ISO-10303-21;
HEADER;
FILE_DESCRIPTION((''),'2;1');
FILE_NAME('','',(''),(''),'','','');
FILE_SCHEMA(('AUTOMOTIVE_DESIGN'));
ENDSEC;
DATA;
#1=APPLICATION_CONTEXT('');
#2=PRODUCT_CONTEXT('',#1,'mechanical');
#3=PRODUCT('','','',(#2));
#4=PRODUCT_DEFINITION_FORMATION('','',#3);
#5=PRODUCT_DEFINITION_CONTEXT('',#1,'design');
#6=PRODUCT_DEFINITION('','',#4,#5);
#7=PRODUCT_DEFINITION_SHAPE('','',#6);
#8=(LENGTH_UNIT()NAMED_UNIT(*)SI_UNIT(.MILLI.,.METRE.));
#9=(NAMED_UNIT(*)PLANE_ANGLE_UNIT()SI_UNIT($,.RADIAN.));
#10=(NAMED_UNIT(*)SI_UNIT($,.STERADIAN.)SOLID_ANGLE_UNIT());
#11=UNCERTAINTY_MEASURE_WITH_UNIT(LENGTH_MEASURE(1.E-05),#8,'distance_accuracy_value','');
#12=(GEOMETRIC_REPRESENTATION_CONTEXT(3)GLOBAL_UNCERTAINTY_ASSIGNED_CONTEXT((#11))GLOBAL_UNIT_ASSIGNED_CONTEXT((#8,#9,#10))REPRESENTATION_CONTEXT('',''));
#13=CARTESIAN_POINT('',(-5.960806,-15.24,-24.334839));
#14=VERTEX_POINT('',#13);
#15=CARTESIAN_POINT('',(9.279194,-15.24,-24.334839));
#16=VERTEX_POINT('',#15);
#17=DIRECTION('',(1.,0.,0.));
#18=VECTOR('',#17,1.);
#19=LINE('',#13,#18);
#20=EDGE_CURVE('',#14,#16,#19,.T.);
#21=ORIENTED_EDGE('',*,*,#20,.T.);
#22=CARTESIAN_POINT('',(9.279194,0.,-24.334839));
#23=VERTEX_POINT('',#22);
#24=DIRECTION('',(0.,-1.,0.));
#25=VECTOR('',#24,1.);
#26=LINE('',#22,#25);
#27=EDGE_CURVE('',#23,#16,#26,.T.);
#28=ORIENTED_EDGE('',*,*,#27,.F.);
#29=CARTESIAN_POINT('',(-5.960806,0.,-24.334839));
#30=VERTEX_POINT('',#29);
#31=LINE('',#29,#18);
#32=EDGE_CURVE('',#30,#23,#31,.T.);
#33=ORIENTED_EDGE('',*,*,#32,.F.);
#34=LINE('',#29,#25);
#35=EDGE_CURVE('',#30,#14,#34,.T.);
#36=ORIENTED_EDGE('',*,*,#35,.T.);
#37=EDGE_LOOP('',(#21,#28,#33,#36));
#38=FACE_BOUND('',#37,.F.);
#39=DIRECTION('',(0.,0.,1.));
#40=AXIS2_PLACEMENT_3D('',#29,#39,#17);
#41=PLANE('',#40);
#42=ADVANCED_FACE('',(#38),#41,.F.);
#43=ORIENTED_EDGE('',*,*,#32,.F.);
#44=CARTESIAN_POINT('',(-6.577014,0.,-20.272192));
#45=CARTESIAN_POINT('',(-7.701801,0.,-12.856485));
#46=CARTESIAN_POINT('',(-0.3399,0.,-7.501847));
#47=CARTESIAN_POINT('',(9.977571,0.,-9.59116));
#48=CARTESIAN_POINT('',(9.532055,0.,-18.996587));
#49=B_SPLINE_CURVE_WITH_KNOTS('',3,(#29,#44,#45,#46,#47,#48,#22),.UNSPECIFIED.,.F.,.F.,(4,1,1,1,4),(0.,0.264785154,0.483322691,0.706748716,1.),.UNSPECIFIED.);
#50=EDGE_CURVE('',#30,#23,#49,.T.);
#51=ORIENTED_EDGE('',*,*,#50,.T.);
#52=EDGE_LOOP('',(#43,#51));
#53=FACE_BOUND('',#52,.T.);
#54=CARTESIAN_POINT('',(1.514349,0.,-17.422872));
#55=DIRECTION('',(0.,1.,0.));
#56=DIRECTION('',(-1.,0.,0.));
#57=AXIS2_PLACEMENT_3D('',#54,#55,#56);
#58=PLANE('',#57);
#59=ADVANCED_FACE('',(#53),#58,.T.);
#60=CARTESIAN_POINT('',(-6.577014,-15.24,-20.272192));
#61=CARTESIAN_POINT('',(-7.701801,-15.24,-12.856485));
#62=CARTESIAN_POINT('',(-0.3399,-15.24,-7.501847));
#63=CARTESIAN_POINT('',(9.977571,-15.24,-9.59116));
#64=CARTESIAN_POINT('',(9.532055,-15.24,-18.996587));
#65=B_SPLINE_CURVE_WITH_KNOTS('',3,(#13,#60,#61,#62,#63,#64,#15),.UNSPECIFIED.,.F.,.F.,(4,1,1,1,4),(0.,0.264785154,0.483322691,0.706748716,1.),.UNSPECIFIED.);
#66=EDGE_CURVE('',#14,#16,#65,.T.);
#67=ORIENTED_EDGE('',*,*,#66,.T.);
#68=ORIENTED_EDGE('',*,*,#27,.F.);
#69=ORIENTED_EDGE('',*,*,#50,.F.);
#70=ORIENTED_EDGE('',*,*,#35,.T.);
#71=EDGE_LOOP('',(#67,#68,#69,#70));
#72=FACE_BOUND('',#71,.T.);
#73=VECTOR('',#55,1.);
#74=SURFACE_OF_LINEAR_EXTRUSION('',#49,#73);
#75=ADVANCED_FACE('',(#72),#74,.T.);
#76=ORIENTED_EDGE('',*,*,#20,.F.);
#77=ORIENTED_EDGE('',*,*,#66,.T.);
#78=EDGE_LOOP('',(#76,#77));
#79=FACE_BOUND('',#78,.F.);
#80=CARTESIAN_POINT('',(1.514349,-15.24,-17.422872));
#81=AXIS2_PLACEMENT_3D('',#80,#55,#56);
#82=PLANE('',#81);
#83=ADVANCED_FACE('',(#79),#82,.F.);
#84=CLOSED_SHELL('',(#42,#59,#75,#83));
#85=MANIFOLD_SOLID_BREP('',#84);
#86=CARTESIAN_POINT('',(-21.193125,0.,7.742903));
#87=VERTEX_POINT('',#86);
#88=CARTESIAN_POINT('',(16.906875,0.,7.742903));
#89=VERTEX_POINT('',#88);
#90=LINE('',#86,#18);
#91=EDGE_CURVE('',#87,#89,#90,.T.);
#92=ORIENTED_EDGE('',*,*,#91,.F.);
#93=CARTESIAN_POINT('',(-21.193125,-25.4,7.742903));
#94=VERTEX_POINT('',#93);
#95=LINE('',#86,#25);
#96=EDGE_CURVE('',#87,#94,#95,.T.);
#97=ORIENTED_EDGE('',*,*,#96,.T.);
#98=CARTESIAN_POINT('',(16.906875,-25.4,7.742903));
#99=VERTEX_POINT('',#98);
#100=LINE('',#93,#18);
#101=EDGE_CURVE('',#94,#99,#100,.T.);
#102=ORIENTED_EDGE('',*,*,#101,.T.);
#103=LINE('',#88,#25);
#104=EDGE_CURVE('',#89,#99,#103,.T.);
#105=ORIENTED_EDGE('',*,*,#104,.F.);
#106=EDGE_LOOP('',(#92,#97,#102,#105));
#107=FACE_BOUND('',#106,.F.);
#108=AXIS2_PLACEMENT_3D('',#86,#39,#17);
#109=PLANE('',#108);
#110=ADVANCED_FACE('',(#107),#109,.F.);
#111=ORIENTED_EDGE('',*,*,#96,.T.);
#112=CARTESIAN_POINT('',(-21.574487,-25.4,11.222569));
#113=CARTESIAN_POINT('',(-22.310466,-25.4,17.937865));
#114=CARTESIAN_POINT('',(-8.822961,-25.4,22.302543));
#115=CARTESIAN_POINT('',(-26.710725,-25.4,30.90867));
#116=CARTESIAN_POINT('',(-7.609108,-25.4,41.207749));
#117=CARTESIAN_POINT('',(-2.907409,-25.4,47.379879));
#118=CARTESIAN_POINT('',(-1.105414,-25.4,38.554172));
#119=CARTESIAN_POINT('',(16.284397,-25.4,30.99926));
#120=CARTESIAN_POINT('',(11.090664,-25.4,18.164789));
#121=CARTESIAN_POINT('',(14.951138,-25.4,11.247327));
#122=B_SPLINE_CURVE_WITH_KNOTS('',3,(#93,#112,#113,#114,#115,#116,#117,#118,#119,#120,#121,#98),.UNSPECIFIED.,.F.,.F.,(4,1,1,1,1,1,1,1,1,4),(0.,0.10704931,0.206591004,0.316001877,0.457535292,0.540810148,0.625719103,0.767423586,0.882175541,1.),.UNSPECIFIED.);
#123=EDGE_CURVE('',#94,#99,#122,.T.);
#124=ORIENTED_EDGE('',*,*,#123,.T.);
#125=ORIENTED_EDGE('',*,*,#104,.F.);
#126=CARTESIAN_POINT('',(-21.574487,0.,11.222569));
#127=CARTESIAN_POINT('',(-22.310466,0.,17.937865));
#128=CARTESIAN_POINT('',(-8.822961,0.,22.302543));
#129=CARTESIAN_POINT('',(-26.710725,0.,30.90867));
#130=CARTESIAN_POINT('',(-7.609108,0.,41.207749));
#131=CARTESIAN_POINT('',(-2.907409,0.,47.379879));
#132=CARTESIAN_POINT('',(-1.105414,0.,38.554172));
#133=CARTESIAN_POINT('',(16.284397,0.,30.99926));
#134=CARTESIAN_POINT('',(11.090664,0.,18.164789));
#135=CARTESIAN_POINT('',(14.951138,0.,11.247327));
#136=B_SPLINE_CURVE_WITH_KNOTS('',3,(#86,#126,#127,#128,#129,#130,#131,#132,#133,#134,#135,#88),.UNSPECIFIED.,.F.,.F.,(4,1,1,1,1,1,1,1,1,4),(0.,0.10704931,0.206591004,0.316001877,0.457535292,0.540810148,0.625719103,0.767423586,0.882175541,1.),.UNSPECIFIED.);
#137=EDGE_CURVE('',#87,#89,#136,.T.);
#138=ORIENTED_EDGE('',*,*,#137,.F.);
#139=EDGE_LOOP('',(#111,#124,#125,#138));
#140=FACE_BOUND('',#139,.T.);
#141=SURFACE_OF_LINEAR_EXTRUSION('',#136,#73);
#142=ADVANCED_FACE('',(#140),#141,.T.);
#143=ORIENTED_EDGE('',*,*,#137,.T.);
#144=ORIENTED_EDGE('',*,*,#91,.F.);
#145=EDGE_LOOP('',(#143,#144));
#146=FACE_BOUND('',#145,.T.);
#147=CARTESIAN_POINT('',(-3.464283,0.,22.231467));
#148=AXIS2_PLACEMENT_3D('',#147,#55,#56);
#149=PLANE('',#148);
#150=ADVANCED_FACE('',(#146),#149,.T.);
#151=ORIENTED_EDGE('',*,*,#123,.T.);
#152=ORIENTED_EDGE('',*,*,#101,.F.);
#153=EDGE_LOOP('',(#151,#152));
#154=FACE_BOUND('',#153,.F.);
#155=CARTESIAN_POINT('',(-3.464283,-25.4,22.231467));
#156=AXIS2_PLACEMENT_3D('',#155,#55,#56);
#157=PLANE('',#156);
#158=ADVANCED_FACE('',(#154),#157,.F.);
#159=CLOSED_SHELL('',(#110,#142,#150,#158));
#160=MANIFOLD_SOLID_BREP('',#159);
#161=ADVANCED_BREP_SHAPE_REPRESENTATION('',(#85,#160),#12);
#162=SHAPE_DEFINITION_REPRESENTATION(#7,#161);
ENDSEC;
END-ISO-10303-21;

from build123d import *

# Parameters (mm, degrees)
F1_DEPTH = 25.4
F3_DEPTH = 15.24


with BuildPart() as f1:
    # F0 (on Front) → F1 (new body)
    with BuildSketch(Plane.XZ):
        with BuildLine():
            add(Edge.make_bspline(
                [(-21.1931248169, 7.7429031953), (-21.574487178, 11.2225694322), (-22.3104660727, 17.9378648387), (-8.8229613818, 22.302542541), (-26.7107251586, 30.9086701813), (-7.6091075029, 41.2077486378), (-2.9074087672, 47.3798788808), (-1.105413709, 38.5541722516), (16.2843972656, 30.9992597888), (11.0906639893, 18.1647892261), (14.9511382206, 11.2473267883), (16.9068751831, 7.7429031953)],
                knots=[0, 0, 0, 0, 0.1070493104, 0.2065910042, 0.3160018765, 0.4575352924, 0.5408101479, 0.6257191032, 0.7674235865, 0.8821755408, 1, 1, 1, 1], degree=3))
            Line((-21.1931248169, 7.7429031953), (16.9068751831, 7.7429031953))
        make_face()
    extrude(amount=F1_DEPTH)


with BuildPart() as f3:
    # F2 (on Front) → F3 (new body)
    with BuildSketch(Plane.XZ):
        with BuildLine():
            add(Edge.make_bspline(
                [(-5.9608064581, -24.3348386139), (-6.5770137839, -20.27219219), (-7.7018010988, -12.8564848924), (-0.3398995573, -7.5018471164), (9.9775709176, -9.5911596157), (9.5320554161, -18.9965867834), (9.2791935419, -24.3348386139)],
                knots=[0, 0, 0, 0, 0.2647851544, 0.4833226909, 0.7067487162, 1, 1, 1, 1], degree=3))
            Line((-5.9608064581, -24.3348386139), (9.2791935419, -24.3348386139))
        make_face()
    extrude(amount=F3_DEPTH)


solid = Compound([f1.part, f3.part])
